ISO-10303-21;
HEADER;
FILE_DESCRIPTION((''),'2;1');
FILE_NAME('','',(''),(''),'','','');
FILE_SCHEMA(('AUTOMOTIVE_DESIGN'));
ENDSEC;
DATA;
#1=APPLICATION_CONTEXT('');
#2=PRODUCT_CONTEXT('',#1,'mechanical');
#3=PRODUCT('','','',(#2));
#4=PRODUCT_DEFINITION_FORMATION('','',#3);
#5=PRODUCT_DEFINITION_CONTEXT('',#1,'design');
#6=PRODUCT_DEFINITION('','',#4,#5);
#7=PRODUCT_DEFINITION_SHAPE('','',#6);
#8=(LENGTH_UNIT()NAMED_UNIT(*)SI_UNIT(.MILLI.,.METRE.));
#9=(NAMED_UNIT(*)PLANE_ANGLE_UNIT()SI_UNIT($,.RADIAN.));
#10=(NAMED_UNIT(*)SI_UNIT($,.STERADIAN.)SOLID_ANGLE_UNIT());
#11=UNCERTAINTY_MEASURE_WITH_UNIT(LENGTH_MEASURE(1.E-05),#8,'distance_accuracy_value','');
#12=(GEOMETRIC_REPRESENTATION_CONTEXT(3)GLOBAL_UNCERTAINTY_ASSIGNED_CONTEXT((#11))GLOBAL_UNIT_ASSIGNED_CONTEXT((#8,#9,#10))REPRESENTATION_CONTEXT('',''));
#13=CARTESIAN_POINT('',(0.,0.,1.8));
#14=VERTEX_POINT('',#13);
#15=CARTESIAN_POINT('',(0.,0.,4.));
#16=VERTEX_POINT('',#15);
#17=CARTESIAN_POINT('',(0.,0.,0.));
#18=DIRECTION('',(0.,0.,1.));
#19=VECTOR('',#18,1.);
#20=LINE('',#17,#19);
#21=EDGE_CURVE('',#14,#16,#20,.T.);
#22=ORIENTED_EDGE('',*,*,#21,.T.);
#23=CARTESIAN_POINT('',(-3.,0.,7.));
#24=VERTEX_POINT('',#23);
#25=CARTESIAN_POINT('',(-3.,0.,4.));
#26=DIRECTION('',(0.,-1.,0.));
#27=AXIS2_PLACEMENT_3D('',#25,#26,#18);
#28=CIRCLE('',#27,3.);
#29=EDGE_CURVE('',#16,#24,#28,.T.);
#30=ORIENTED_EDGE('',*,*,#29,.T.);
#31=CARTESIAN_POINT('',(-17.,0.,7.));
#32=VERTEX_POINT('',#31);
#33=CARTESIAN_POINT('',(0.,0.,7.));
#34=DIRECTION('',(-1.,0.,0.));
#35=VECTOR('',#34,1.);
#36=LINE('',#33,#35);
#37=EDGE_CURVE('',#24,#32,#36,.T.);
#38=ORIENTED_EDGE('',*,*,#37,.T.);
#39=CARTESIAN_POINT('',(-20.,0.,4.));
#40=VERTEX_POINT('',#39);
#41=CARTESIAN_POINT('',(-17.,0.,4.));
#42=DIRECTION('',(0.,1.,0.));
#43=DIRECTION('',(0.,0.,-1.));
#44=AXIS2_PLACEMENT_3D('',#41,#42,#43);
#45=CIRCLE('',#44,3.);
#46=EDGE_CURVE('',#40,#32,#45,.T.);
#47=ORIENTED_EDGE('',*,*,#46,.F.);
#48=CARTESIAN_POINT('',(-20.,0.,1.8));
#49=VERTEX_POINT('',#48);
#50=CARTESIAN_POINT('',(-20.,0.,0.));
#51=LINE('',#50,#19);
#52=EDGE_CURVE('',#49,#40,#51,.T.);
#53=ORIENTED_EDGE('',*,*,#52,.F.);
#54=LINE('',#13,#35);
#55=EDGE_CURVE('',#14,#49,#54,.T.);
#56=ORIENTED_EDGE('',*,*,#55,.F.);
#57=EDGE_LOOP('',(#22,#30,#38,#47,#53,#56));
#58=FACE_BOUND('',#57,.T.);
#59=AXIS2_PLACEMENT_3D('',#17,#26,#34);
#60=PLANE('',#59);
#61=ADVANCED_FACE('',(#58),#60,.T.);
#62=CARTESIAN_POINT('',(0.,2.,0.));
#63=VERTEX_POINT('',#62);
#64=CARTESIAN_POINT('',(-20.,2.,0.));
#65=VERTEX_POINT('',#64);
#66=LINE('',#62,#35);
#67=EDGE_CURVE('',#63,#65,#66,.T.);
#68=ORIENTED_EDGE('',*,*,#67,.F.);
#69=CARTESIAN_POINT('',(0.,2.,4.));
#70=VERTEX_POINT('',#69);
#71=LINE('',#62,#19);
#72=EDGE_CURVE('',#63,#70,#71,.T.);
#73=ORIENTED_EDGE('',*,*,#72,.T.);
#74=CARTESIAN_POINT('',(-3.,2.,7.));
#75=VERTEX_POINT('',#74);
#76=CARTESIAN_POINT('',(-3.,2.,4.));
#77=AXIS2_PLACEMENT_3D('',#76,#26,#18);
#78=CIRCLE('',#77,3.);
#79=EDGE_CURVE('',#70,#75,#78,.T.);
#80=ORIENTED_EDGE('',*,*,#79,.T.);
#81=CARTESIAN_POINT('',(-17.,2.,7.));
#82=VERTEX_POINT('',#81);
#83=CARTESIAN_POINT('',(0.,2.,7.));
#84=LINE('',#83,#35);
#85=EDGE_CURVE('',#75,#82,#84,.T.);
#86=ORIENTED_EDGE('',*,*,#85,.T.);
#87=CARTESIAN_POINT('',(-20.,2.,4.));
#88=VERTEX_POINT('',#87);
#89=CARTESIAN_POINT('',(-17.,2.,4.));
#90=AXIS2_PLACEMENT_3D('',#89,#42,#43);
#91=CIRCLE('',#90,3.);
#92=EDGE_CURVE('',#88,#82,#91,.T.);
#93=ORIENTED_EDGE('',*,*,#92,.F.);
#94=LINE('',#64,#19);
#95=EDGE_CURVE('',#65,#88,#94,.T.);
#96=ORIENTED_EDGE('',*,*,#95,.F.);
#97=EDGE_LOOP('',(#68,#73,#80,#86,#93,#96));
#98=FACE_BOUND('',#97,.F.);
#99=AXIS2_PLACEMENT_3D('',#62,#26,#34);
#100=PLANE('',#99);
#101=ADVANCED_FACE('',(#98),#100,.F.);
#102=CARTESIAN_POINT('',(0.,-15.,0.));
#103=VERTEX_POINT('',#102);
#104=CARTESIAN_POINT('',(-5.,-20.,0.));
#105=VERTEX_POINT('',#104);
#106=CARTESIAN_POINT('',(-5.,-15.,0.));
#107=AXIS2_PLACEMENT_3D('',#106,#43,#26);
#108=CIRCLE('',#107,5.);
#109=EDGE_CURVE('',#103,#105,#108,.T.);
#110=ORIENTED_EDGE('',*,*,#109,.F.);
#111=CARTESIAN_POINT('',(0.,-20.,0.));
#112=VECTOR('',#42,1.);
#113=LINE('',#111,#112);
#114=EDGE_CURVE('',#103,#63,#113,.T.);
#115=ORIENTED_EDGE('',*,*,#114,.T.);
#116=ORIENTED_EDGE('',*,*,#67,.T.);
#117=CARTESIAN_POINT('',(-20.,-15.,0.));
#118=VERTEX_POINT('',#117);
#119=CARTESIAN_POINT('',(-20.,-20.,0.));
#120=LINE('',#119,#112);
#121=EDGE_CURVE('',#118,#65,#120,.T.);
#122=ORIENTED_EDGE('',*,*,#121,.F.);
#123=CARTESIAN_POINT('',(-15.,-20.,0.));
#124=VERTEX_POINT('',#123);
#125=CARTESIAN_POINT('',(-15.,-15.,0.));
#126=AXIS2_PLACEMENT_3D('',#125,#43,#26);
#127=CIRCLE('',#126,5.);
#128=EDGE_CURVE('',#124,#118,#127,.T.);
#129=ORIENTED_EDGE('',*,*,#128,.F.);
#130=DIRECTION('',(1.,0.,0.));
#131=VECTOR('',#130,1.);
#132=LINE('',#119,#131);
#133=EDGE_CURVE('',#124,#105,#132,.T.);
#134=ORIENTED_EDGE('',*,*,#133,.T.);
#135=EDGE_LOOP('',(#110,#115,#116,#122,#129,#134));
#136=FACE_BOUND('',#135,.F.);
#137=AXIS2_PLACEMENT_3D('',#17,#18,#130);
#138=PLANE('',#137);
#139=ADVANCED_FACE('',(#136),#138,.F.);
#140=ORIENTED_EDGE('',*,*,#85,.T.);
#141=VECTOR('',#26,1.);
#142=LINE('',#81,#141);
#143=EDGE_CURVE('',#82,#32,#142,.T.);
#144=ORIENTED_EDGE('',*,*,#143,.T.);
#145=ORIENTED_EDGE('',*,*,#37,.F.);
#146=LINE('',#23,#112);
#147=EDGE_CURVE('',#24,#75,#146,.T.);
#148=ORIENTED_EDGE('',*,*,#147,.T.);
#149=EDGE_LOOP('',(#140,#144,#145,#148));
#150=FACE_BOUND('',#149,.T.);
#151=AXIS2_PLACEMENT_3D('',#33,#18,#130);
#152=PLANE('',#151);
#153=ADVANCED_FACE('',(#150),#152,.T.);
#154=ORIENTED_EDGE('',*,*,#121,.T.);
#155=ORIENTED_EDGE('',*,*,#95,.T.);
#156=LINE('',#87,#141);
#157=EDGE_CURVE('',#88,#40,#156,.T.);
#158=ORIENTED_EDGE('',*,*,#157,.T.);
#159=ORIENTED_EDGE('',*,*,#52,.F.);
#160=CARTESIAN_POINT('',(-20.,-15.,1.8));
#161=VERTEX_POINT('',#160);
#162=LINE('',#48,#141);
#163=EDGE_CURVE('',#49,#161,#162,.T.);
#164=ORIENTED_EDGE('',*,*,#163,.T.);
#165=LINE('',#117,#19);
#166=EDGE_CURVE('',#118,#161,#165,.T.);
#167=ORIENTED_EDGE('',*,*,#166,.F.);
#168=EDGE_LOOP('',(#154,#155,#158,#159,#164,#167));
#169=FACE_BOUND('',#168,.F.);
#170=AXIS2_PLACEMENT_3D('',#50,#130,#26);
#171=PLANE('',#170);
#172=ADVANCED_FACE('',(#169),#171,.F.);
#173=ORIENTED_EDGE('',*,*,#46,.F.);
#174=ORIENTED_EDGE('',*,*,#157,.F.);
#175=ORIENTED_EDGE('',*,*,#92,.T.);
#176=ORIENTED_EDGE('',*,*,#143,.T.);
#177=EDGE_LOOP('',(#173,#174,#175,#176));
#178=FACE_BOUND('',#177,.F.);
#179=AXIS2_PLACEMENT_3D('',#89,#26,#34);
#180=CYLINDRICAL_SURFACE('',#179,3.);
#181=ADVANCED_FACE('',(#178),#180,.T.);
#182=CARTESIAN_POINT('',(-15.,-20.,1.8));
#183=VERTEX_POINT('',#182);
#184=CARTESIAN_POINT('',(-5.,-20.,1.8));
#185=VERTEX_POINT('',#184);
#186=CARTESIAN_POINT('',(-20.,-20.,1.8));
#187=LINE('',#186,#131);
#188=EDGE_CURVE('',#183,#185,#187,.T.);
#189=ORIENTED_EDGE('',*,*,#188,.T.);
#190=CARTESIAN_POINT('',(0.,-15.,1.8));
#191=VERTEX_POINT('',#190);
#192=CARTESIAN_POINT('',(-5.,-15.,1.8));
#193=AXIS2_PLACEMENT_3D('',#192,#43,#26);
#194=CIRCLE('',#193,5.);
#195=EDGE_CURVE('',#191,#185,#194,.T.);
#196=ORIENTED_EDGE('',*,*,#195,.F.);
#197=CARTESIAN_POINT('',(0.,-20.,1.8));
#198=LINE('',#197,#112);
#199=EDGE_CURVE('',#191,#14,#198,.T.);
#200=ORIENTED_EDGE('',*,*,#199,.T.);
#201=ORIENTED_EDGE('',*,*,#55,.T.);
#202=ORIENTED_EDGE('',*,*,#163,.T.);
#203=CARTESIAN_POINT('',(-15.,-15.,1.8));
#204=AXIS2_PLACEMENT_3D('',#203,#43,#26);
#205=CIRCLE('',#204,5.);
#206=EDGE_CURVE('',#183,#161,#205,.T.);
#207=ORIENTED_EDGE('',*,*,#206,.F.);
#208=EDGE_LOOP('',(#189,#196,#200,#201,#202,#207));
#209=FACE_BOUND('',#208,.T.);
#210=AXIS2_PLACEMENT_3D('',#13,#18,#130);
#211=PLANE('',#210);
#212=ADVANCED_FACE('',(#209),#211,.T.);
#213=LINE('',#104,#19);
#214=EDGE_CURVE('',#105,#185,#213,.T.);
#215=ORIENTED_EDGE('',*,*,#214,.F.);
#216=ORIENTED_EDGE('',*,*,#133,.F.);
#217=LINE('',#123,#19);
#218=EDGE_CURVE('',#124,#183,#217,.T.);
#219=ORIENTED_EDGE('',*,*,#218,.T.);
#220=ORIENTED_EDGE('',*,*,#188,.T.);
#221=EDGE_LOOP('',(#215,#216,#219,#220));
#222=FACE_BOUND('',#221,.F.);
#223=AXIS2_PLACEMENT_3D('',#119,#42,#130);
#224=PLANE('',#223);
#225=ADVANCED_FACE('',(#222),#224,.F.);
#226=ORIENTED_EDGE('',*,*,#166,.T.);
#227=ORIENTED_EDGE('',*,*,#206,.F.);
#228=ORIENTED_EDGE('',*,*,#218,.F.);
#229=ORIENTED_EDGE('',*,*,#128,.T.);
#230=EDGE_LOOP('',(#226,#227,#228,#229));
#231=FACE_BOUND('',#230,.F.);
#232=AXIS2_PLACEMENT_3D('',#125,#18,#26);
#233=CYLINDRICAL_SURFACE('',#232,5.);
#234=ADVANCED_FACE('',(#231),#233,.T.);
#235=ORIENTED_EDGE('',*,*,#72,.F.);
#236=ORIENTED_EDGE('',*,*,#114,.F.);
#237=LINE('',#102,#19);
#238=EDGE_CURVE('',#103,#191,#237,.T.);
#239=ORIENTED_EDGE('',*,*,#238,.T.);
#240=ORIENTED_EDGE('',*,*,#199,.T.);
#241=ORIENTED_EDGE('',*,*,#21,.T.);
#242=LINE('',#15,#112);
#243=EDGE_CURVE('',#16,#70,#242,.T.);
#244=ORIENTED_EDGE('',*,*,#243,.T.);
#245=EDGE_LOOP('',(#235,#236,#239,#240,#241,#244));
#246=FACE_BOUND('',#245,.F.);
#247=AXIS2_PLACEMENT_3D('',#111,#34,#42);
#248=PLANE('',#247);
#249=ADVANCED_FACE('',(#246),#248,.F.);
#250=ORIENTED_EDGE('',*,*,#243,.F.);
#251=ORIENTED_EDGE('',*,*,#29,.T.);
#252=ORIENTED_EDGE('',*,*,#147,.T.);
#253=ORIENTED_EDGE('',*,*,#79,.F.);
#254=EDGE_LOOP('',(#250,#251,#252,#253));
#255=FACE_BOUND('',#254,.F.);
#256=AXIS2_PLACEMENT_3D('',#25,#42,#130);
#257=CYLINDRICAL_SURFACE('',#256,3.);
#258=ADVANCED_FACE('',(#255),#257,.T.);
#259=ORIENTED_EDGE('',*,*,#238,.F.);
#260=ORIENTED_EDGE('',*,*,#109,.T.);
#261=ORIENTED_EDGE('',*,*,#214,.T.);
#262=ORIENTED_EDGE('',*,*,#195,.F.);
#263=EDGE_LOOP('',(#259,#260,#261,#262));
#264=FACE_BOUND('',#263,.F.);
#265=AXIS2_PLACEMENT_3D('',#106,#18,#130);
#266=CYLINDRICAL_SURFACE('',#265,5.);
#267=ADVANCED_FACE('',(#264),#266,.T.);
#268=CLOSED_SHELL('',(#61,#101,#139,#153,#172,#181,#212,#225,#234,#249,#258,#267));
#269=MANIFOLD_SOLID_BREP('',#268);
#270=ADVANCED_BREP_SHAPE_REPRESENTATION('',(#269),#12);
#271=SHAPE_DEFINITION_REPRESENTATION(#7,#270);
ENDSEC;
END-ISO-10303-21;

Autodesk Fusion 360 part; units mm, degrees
sketch "Sketch1" plane through (0, 0, 0) normal (0, 0, 1) x (1, 0, 0)
  line L0 (0, 0) -> (-20, 0)
  line L1 (-20, 0) -> (-20, -20)
  line L2 (-20, -20) -> (0, -20)
  line L3 (0, -20) -> (0, 0)
  line L4 (-20, 0) -> (0, 0)
  line L5 (0, 0) -> (0, 2)
  line L6 (0, 2) -> (-20, 2)
  line L7 (-20, 2) -> (-20, 0)
  dimension "d1" = 20
  dimension "d2" = 20
  dimension "d3" = 20
  dimension "d4" = 2
extrude "Extrude1" add sketch "Sketch1" along normal blind 1.8 contours L0 L1 L2 L3 L4
extrude "Extrude2" add sketch "Sketch1" along normal blind 7 contours L0 L4 L5 L6 L7
fillet "Fillet1" radius 3 2 edges at (0, 1, 7) (-20, 1, 7)
fillet "Fillet2" radius 5 2 edges at (0, -20, 0.9) (-20, -20, 0.9)
